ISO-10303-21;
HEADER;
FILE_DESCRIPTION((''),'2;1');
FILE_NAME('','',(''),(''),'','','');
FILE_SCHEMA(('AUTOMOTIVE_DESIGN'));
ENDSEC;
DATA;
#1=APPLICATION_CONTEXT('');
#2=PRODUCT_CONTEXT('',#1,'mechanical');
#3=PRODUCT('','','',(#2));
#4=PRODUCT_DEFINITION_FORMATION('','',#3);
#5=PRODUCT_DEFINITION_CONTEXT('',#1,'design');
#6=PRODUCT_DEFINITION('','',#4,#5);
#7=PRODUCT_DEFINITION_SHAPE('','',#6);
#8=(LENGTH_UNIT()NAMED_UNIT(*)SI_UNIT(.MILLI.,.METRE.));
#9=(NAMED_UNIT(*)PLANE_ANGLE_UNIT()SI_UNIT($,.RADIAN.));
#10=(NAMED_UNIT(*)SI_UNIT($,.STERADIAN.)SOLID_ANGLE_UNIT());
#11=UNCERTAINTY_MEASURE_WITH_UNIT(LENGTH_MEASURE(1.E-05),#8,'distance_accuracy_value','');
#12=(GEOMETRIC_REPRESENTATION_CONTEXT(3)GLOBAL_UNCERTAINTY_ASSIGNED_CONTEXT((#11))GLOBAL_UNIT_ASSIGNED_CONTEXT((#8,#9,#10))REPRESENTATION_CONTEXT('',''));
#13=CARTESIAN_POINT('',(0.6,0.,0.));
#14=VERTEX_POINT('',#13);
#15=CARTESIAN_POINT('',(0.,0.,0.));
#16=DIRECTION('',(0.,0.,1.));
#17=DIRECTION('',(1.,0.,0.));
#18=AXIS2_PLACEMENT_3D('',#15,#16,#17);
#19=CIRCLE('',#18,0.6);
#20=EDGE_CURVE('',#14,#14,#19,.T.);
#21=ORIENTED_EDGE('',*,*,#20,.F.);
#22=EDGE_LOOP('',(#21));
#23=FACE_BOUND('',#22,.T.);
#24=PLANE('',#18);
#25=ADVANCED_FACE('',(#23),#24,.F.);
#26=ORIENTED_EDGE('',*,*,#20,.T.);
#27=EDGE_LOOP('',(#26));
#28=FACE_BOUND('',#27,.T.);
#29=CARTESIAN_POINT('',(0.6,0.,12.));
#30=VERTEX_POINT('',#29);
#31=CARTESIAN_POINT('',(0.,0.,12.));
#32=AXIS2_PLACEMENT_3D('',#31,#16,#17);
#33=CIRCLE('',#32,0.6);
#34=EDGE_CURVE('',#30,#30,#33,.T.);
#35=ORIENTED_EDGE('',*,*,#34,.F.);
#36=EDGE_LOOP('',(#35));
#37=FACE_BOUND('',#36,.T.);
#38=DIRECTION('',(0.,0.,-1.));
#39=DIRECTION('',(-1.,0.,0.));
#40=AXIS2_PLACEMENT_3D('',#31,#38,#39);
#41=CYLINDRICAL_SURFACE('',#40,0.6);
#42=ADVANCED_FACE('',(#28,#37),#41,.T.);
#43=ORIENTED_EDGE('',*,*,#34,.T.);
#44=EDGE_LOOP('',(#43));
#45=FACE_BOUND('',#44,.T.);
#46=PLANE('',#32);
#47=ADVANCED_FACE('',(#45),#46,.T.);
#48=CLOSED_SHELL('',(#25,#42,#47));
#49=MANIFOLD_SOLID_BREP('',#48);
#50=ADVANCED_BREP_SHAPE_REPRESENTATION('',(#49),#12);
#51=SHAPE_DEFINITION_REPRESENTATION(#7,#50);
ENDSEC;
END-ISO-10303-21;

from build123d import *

# Parameters (mm, degrees)
CROQUIS1_R              = 0.6
SALIENTE_EXTRUIR1_DEPTH = 12


with BuildPart() as part:
    # Croquis1 → Saliente-Extruir1 (new body)
    with BuildSketch(Plane.XY):
        Circle(CROQUIS1_R)
    extrude(amount=SALIENTE_EXTRUIR1_DEPTH)


solid = part.part
